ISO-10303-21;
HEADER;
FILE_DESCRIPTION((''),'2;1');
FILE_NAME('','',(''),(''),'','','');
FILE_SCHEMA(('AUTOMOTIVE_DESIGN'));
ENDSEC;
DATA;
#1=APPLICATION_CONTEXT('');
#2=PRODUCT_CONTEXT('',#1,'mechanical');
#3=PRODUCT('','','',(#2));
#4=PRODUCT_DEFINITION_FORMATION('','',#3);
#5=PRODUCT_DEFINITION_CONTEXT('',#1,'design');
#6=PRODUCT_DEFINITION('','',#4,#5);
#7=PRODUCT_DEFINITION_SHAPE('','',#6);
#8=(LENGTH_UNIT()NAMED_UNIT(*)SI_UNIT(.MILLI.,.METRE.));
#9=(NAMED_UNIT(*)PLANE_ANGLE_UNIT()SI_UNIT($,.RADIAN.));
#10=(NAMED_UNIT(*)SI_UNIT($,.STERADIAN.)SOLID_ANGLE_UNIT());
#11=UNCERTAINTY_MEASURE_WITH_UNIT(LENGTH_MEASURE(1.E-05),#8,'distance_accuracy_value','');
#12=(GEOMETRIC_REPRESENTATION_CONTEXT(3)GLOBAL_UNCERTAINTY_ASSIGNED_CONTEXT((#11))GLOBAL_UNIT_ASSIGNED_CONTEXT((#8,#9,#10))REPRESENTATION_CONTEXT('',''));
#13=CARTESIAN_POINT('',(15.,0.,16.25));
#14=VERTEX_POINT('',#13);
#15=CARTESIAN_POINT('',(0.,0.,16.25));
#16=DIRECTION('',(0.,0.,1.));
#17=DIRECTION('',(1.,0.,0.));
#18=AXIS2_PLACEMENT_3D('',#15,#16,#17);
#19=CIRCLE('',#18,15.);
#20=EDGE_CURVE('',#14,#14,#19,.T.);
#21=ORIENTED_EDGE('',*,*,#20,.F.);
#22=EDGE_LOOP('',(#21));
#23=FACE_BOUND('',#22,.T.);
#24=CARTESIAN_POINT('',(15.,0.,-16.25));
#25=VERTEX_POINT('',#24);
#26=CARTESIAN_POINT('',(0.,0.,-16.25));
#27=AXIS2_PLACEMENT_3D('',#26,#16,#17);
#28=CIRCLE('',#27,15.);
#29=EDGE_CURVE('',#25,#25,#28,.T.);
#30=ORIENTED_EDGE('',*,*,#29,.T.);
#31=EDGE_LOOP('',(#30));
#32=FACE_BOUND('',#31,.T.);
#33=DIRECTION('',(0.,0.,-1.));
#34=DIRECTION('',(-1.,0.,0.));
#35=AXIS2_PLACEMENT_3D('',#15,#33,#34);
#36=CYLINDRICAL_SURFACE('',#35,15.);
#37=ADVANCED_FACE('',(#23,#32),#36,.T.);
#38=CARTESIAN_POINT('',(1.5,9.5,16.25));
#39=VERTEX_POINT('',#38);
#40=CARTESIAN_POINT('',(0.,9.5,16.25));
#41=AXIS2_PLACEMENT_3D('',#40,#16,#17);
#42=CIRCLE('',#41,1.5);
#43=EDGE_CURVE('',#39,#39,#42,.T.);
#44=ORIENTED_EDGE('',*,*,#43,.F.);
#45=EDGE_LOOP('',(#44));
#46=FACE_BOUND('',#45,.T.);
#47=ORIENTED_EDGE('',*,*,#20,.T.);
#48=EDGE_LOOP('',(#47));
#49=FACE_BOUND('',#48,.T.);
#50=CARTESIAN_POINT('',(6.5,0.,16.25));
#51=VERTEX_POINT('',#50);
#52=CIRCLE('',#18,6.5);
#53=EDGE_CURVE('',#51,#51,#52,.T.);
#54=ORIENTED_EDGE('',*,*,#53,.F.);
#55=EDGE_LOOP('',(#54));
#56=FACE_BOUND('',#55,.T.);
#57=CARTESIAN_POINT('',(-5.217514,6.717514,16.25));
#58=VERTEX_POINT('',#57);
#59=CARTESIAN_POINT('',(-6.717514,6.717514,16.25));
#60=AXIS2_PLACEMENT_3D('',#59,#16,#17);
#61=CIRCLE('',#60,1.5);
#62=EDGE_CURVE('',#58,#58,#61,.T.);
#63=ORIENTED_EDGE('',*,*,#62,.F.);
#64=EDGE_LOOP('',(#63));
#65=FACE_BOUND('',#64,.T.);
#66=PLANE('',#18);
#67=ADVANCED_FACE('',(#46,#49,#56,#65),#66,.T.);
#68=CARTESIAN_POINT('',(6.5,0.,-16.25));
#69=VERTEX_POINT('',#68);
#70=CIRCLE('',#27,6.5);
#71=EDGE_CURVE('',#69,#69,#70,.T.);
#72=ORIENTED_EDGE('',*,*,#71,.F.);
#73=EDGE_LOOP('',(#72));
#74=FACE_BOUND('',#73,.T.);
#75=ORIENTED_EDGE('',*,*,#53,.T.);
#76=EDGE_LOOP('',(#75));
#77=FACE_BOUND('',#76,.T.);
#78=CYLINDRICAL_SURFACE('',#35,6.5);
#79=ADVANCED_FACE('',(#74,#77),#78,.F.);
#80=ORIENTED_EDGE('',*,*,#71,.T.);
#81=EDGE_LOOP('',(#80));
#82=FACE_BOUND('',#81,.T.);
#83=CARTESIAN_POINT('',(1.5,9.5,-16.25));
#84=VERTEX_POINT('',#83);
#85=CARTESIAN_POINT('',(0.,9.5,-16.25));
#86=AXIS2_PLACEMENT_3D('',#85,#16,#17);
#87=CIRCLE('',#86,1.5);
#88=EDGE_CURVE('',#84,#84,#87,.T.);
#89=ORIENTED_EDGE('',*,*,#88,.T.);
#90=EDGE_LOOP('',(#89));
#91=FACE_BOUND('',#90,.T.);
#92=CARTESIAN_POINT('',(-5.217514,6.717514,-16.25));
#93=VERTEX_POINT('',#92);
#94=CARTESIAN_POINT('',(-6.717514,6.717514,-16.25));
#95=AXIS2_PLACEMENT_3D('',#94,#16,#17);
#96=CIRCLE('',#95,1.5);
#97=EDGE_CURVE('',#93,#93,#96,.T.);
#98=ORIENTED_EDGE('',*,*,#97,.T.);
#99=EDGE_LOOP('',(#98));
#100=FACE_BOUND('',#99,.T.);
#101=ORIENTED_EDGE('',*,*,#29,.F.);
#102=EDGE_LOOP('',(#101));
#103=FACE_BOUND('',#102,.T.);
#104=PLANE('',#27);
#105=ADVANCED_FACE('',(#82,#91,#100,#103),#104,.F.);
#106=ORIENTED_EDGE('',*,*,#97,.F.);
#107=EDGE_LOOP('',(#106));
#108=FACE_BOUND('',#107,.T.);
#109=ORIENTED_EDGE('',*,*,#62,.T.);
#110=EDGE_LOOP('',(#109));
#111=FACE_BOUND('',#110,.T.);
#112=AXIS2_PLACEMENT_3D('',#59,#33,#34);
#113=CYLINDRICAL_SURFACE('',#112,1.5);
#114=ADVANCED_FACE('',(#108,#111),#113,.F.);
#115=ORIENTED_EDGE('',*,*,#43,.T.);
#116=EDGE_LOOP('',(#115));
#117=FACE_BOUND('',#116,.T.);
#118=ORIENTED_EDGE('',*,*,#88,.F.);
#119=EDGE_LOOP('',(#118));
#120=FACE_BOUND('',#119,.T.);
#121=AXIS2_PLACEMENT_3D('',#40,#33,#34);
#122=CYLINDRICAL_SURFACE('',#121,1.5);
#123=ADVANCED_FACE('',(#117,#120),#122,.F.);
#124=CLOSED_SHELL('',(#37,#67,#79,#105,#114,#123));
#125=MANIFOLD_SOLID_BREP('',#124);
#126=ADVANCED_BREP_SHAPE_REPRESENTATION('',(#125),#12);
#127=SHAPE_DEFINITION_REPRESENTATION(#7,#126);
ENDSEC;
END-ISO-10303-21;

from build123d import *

# Parameters (mm, degrees)
SKETCH1_R           = 15
SKETCH1_R_2         = 6.5
SKETCH1_R_3         = 1.5
BOSS_EXTRUDE1_DEPTH = 16.25


with BuildPart() as part:
    # Sketch1 → Boss-Extrude1 (new, symmetric)
    with BuildSketch(Plane.XY):
        Circle(SKETCH1_R)
        Circle(SKETCH1_R_2, mode=Mode.SUBTRACT)
        with Locations((0, 9.5)):
            Circle(SKETCH1_R_3, mode=Mode.SUBTRACT)
        with Locations((-6.717514421, 6.717514421)):
            Circle(SKETCH1_R_3, mode=Mode.SUBTRACT)
    extrude(amount=BOSS_EXTRUDE1_DEPTH, both=True)


solid = part.part
